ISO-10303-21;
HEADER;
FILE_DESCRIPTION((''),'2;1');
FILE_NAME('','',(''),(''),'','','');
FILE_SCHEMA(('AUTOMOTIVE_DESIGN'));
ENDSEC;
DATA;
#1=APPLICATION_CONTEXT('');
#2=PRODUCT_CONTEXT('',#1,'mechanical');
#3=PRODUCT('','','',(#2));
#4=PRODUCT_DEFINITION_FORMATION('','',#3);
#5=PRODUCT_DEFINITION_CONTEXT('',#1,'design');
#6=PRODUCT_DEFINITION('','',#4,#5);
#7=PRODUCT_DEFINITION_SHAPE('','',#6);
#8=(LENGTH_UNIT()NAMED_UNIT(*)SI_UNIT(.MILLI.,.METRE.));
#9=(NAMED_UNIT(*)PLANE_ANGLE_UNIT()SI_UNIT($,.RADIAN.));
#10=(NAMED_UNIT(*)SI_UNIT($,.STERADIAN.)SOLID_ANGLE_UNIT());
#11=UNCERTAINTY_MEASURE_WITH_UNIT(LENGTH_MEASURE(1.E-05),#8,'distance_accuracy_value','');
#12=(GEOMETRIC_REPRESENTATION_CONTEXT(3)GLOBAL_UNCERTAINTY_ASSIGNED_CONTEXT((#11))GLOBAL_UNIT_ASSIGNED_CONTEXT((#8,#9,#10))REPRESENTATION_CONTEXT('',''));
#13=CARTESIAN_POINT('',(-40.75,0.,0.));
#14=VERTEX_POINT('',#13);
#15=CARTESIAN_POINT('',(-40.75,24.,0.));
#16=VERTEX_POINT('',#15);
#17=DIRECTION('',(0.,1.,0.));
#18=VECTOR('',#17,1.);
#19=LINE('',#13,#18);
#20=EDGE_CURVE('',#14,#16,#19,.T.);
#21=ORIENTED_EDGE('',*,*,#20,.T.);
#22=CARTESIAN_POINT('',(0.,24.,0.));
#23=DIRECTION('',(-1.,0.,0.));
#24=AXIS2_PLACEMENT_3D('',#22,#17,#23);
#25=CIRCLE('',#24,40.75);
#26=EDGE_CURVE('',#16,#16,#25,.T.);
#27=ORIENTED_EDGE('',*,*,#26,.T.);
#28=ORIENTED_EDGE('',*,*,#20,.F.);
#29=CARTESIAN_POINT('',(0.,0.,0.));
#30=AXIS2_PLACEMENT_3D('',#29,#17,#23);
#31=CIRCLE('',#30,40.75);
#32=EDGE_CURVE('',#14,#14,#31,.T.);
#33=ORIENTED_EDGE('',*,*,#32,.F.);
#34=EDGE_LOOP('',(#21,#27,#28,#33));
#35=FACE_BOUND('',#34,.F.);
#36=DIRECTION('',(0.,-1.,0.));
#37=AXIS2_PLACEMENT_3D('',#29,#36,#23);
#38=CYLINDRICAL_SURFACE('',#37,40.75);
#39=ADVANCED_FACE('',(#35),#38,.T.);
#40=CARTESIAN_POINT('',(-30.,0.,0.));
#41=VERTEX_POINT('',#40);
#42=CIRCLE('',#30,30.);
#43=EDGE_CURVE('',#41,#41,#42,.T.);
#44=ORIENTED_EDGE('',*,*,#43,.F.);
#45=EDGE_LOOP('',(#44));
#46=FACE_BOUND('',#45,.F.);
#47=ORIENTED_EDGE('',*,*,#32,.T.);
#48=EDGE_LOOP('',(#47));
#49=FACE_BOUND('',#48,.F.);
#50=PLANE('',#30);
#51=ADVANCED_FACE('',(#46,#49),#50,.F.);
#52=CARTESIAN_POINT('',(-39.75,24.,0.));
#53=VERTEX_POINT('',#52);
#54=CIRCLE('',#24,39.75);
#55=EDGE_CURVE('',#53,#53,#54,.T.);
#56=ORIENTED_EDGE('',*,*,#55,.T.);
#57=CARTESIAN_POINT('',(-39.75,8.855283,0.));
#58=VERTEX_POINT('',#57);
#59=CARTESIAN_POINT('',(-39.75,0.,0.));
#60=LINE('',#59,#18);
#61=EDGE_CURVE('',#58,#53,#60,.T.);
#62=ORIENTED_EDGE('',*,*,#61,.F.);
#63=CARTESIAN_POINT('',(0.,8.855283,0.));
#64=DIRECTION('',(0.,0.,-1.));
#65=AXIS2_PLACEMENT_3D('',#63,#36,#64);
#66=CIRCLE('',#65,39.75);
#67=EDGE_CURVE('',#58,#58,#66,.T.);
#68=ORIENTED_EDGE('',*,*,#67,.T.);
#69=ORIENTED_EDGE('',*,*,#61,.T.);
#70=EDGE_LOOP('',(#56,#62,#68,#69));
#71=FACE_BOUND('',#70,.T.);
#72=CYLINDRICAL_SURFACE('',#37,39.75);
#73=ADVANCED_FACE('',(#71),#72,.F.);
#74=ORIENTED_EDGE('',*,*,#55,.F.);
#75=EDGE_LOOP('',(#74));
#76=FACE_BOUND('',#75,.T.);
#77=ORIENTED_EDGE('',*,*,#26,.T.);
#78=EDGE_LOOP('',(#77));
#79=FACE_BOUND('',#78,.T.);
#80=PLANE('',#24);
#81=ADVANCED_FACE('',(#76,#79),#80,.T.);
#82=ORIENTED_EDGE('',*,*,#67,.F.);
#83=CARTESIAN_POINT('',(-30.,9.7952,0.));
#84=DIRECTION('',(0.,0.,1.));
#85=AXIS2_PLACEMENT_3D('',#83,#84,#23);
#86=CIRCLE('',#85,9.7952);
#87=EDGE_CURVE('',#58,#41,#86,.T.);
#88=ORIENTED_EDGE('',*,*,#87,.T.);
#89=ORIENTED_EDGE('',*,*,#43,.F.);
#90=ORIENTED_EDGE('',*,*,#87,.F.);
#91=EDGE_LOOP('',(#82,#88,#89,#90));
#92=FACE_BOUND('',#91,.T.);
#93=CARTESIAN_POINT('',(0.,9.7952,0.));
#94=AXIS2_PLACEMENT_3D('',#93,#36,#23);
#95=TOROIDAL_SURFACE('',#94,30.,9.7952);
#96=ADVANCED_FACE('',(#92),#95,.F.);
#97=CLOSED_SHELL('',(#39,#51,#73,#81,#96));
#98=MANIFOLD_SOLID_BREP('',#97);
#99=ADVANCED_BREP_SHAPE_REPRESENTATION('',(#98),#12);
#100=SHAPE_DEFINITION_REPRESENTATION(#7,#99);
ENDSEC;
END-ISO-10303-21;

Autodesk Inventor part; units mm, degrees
ref_plane "YZ Plane" through (0, 0, 0) normal (1, 0, 0) x (0, 1, 0)
ref_plane "XZ Plane" through (0, 0, 0) normal (0, 1, 0) x (-1, 0, 0)
ref_plane "XY Plane" through (0, 0, 0) normal (0, 0, 1) x (1, 0, 0)
sketch "Sketch1" plane through (0, 0, 0) normal (0, 1, 0) x (-1, 0, 0)
  circle A0 centre (0, 0) radius 39.75
  circle A1 centre (0, 0) radius 40.75
  dimension "d0" = 79.5
  dimension "d1" = 81.5
extrude "Extrusion1" add sketch "Sketch1" along normal blind 24
sketch "Sketch3" plane through (0, 24, 0) normal (0, 1, 0) x (1, 0, 0)
  circle A0 centre (0, 0) radius 40.75 projected
  circle A1 centre (0, 0) radius 39.75 projected
  point P0 (0, -40.75)
  point P1 (-39.75, 0)
ref_plane "Work Plane2" through (0, 24, 40.75) normal (0, 0, 1) x (1, 0, 0)
sketch "Sketch7" plane through (0, 0, 0) normal (0, 0, 1) x (1, 0, 0)
  line L0 (39.75, 24) -> (39.75, 0) construction
  line L1 (0, 0) -> (-30, 0) construction
  line L2 (0, 0) -> (0, 12) construction
  line L3 (0, 12) -> (-39.75, 12) construction
  line L4 (0, 24) -> (-30, 24) construction
  line L5 (-30, 0) -> (-39.7678, 0)
  line L6 (-39.7678, 24.1531) -> (-39.7678, 0)
  line L7 (-39.7678, 12.0766) -> (-37.9524, 12) construction
  line L8 (-39.7678, 12.0766) -> (-39.7678, 13.6344) construction
  line L9 (-30, 0) -> (-30, 9.7952) construction
  line L10 (-39.7952, 9.7952) -> (-30, 9.7952) construction
  line L11 (-30, 24) -> (-30, 13.1677) construction
  line L12 (-40.8323, 13.1677) -> (-30, 13.1677) construction
  line L13 (0, -7.1864) -> (0, 29.1977) projected
  arc A0 (-39.7952, 9.7952) -> (-30, 0) centre (-30, 9.7952) ccw
  point P0 (-39.7678, 9.0626)
  dimension "d24" = 30
  dimension "d25" = 12
  dimension "d26" = 39.75
  dimension "d27" = 30
  dimension "d28" = 90
  dimension "d29" = 90
revolve "Revolution1" add sketch "Sketch7" angle 360 about axis through (0, -10, 0) along (0, 1, 0)
properties part number "chevron_treads"
